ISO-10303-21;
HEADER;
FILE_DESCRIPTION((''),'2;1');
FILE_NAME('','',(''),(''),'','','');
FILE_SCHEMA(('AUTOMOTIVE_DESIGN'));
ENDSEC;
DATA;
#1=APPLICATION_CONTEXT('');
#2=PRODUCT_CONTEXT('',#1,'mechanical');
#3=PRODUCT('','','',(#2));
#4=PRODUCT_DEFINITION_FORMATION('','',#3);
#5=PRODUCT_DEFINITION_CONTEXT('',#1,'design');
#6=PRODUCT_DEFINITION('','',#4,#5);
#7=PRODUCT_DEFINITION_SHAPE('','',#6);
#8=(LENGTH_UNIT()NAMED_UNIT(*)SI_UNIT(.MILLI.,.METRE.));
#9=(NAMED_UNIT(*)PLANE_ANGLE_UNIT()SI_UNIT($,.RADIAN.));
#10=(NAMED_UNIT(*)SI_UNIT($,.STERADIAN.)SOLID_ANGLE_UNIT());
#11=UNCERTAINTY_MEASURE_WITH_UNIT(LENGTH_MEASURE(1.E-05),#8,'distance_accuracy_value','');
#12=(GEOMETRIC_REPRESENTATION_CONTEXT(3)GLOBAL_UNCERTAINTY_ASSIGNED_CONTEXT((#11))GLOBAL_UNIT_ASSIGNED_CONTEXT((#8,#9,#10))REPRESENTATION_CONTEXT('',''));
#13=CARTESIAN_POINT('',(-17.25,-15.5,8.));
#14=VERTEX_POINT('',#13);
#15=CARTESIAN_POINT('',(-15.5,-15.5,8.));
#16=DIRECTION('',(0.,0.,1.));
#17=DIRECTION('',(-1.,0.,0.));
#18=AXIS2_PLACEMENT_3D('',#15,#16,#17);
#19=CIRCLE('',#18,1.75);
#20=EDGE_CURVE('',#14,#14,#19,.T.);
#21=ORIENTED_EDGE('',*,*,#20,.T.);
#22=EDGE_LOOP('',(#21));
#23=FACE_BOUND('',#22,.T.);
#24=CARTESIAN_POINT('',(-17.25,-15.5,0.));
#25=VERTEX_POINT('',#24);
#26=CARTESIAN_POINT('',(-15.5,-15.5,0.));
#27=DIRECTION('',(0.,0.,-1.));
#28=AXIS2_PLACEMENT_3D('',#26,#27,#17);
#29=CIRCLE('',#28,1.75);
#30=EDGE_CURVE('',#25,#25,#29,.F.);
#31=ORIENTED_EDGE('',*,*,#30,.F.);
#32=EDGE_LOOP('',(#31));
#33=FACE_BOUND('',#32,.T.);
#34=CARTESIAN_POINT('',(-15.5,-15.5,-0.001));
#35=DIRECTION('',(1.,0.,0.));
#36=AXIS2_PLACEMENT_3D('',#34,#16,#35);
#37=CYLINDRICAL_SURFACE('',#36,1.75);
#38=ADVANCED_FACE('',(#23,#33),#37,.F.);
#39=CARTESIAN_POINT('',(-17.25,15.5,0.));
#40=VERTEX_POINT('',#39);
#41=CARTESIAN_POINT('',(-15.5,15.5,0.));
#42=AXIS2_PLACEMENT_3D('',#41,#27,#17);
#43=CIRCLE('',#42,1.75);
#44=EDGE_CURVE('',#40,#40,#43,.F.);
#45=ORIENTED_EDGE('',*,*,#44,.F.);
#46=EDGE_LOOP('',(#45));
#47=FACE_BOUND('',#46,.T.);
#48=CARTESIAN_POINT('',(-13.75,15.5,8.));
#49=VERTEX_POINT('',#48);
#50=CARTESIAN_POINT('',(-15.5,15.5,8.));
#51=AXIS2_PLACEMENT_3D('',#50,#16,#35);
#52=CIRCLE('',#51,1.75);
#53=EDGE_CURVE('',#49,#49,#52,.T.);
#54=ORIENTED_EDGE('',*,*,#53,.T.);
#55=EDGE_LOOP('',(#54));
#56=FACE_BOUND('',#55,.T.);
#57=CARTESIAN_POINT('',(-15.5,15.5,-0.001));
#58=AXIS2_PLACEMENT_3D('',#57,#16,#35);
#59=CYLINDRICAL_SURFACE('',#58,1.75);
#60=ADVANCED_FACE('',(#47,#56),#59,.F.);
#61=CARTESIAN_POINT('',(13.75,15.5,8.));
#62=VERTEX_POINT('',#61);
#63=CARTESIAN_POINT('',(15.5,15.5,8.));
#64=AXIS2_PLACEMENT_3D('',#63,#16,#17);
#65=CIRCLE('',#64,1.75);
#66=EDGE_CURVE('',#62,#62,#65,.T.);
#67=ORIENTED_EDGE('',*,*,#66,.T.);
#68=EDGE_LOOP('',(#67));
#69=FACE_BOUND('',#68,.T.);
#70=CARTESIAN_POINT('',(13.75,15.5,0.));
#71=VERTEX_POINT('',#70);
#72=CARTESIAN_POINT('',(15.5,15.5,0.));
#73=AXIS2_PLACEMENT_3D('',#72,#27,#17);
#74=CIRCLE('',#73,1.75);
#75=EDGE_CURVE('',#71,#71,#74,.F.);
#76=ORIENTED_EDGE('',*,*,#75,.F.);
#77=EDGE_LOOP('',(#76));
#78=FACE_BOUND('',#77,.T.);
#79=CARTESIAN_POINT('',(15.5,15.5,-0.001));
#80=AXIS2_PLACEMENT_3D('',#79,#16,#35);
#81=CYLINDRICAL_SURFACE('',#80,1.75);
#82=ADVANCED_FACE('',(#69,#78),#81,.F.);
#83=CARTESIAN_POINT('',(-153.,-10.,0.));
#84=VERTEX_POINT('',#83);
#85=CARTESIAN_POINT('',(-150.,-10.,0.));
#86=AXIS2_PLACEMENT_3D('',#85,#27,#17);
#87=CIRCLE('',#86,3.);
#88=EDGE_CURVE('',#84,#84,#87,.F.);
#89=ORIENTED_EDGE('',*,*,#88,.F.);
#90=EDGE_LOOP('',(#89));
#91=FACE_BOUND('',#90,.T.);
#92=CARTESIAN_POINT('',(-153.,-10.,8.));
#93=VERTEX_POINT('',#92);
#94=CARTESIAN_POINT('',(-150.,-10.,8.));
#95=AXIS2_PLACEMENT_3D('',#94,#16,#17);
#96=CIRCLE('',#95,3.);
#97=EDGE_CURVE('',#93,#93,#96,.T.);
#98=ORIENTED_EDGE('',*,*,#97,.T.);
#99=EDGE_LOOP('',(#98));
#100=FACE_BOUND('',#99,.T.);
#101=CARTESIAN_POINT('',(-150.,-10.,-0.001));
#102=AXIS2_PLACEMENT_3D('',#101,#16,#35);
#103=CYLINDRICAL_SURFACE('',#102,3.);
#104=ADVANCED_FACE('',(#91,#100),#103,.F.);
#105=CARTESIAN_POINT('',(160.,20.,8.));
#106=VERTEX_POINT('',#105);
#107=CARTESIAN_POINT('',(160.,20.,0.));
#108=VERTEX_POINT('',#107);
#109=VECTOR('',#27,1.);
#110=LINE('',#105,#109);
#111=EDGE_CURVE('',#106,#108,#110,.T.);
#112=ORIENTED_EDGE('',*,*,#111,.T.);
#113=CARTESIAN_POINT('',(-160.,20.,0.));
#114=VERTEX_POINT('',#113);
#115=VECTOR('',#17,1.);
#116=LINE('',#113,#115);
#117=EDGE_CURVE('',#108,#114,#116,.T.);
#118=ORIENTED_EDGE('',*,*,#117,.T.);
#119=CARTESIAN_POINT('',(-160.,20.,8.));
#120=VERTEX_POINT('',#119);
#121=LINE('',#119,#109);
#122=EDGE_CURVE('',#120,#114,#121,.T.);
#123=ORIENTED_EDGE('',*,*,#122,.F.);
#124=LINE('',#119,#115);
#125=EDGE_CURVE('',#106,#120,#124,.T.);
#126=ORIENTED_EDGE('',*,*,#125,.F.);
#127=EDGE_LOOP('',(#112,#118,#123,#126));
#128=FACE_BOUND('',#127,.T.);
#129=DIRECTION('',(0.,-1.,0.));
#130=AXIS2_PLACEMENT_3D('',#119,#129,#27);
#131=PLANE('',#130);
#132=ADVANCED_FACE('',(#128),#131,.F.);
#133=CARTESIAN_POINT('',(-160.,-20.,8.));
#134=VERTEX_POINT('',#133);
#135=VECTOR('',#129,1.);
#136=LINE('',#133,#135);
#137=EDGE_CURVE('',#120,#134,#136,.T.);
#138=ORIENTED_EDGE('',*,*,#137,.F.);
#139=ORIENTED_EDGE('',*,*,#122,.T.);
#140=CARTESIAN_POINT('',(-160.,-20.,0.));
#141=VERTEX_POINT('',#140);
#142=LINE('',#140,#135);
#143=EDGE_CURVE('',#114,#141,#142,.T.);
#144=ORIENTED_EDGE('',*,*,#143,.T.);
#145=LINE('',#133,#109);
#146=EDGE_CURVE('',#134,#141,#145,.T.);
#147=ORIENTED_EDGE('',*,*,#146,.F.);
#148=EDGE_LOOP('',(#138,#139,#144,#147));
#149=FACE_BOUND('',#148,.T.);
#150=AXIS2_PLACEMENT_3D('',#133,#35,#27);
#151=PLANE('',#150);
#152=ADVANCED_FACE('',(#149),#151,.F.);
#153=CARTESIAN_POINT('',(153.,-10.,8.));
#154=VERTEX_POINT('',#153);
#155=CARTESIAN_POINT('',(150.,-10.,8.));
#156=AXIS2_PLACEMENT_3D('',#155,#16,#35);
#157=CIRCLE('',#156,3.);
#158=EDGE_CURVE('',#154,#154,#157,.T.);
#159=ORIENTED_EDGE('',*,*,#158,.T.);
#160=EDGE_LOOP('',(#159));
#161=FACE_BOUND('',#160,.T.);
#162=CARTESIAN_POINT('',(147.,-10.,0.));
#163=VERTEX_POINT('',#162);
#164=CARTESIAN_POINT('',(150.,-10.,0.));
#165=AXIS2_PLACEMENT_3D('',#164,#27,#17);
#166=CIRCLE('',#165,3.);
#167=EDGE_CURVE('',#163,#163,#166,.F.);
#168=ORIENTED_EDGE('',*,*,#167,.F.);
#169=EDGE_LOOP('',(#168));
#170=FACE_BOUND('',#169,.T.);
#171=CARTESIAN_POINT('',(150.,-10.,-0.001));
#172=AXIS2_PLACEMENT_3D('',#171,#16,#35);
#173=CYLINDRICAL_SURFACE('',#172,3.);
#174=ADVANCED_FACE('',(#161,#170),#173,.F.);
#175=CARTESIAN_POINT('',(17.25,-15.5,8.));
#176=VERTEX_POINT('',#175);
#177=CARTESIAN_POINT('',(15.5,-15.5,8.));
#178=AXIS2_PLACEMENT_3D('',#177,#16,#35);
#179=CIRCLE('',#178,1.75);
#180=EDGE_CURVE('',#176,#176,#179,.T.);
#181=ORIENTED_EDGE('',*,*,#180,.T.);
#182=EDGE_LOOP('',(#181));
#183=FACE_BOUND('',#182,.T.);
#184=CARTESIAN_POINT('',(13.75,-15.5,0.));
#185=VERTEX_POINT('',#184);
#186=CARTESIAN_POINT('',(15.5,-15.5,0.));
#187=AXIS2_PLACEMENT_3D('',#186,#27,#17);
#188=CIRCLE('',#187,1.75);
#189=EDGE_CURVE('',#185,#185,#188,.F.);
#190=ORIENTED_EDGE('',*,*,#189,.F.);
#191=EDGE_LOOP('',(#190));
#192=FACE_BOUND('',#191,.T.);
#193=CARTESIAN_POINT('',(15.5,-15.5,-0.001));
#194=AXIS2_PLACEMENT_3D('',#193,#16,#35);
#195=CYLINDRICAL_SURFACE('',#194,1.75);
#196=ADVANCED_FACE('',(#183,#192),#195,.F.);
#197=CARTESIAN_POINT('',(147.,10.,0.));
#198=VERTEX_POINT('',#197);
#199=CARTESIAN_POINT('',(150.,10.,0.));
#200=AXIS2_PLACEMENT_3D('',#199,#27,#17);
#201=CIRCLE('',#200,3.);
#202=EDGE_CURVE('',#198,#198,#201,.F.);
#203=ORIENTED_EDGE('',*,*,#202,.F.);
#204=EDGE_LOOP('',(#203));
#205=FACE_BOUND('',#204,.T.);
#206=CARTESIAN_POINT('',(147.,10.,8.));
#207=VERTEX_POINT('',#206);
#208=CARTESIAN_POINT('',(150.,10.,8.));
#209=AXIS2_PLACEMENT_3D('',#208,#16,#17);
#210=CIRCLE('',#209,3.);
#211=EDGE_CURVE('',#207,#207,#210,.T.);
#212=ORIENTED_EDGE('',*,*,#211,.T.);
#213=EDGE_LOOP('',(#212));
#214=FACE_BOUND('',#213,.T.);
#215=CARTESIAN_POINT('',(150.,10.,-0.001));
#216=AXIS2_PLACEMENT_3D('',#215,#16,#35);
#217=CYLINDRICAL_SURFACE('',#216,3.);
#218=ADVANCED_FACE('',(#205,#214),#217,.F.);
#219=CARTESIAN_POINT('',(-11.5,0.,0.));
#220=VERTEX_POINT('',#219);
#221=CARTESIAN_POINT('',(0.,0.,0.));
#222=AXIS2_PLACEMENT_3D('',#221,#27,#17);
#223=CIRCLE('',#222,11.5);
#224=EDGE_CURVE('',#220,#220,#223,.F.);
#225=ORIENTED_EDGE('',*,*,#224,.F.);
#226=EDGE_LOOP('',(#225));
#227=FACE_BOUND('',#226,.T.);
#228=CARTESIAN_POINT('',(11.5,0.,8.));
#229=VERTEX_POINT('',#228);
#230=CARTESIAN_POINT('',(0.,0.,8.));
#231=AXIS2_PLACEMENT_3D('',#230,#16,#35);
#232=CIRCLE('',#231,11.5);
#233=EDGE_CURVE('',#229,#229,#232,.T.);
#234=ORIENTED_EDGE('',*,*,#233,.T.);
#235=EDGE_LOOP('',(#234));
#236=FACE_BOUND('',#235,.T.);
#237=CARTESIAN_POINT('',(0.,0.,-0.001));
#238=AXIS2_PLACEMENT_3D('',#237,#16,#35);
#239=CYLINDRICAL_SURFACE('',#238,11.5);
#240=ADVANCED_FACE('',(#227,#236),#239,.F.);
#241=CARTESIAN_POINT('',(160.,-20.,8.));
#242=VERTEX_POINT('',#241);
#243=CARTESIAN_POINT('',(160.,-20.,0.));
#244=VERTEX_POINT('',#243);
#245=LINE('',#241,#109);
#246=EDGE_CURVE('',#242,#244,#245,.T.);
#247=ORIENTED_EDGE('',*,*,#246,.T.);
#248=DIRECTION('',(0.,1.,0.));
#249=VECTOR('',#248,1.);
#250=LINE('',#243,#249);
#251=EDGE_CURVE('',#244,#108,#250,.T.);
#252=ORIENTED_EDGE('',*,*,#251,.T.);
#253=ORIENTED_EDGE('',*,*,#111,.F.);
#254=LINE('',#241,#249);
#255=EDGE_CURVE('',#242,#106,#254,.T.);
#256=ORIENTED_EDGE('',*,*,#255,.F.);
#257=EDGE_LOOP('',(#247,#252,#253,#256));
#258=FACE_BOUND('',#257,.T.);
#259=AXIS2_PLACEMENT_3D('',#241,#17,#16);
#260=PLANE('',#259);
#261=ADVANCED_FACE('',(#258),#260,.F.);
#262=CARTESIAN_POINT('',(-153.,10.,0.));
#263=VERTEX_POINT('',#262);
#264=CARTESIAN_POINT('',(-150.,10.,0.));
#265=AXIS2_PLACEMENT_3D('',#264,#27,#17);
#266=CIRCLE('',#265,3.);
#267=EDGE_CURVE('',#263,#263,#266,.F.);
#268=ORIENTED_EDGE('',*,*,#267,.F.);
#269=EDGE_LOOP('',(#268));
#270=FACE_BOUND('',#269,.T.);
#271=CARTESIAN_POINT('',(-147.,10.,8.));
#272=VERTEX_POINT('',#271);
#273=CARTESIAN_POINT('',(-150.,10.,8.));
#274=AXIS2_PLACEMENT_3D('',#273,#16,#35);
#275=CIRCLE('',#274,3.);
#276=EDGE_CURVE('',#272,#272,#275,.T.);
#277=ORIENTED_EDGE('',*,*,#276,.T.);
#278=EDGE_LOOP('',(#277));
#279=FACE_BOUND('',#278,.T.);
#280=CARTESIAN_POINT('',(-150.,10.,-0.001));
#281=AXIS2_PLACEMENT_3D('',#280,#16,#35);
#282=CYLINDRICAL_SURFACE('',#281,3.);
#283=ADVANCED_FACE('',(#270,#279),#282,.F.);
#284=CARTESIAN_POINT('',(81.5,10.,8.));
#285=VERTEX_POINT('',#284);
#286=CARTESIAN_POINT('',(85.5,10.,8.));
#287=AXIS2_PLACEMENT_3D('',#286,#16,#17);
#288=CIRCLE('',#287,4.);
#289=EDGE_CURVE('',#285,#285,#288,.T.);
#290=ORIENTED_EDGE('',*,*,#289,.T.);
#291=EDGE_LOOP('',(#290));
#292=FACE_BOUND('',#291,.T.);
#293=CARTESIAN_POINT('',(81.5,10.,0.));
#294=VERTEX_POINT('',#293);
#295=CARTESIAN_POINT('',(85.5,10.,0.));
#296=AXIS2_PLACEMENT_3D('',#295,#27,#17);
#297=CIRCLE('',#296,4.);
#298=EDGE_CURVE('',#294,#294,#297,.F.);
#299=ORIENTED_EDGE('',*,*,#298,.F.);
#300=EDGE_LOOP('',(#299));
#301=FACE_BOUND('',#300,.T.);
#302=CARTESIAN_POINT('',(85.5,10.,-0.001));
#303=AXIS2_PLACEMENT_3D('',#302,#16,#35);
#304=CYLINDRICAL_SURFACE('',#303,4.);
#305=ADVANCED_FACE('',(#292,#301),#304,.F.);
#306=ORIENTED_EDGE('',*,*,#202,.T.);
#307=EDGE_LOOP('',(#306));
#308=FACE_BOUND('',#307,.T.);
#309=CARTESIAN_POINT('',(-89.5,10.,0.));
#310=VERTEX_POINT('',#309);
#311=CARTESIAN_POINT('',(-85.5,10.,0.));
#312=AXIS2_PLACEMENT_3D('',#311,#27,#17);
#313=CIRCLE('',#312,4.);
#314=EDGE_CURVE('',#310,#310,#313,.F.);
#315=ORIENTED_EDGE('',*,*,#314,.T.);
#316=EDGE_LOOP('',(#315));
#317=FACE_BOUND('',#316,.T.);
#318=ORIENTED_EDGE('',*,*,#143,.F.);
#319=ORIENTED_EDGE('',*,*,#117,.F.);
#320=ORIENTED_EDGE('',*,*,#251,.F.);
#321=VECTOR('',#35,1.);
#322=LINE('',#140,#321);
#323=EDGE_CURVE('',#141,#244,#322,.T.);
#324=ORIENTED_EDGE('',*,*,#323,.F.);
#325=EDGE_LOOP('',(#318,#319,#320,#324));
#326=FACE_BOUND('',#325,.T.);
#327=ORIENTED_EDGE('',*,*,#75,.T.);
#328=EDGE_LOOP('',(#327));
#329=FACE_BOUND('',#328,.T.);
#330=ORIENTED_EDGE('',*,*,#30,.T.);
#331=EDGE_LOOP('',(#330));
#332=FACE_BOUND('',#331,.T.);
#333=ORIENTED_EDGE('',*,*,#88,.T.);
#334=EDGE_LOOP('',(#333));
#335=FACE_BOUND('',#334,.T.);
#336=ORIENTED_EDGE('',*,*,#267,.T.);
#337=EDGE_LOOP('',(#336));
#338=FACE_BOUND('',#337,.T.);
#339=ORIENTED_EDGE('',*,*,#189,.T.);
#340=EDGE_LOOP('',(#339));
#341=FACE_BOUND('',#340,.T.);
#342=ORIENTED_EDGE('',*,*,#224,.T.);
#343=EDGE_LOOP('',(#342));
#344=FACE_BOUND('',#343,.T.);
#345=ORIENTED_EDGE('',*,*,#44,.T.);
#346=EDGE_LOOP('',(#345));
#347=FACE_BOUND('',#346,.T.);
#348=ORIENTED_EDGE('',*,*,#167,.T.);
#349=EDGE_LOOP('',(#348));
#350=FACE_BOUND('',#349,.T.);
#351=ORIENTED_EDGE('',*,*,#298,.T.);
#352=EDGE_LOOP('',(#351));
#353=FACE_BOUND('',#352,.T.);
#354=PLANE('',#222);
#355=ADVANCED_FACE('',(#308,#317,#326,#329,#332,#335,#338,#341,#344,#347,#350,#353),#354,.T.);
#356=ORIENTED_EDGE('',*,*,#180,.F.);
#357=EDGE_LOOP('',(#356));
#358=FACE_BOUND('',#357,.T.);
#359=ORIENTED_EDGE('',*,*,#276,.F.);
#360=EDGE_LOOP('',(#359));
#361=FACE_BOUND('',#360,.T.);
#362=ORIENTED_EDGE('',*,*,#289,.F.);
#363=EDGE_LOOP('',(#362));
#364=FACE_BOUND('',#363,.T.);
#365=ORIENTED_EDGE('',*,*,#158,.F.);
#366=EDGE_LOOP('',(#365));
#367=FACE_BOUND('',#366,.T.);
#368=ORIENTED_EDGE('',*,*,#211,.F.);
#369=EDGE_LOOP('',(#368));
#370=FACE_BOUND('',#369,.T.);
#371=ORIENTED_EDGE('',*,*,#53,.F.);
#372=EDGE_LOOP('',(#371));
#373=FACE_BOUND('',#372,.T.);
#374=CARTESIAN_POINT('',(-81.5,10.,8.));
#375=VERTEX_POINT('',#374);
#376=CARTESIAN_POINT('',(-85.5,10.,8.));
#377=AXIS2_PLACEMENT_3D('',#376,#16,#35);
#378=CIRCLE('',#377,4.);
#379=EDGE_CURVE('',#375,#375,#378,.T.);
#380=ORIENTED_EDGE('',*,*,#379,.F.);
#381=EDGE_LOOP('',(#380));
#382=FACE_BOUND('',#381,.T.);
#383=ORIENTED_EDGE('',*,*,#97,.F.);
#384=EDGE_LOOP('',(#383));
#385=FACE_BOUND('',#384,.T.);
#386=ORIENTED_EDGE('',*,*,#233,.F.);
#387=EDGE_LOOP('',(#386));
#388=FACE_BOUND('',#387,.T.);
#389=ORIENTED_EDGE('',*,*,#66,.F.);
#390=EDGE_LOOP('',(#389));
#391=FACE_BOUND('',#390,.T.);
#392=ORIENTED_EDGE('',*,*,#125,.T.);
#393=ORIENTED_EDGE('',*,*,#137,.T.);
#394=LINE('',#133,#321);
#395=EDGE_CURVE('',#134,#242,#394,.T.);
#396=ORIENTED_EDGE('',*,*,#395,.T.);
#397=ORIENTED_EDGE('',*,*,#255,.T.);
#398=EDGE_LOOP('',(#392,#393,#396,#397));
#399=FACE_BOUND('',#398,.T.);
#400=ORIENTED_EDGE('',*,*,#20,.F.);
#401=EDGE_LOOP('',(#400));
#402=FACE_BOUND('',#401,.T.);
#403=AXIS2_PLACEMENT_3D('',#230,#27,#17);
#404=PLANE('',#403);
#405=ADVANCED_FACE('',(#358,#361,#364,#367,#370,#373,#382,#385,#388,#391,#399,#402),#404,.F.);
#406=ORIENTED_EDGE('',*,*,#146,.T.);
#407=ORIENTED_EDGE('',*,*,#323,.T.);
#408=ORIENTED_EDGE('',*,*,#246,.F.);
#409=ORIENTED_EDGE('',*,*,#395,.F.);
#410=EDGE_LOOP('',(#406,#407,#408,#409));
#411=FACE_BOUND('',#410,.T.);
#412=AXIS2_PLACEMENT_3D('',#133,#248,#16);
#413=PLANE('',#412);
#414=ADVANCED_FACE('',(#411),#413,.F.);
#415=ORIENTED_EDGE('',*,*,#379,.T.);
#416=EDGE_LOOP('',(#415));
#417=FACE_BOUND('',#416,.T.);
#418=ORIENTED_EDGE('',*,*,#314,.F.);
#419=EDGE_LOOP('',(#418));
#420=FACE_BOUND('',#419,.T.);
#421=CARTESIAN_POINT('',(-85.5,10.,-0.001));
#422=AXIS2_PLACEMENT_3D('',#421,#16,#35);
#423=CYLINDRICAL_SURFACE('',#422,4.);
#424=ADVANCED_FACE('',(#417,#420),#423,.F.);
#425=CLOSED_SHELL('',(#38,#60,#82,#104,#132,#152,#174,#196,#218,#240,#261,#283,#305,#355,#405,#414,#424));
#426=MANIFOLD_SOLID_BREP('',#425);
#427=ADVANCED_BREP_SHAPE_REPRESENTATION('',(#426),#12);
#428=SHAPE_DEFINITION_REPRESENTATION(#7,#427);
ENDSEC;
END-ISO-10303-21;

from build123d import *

# Parameters (mm, degrees)
SKETCH1_W           = 320
SKETCH1_H           = 40
BOSS_EXTRUDE1_DEPTH = 8
CUT_EXTRUDE1_REACH  = 10
SKETCH2_R           = 3
CUT_EXTRUDE2_REACH  = 10
SKETCH3_R           = 4
SKETCH3_R_2         = 11.5
CUT_EXTRUDE3_REACH  = 10
SKETCH4_R           = 1.75


with BuildPart() as part:
    # Sketch1 → Boss-Extrude1 (new body)
    with BuildSketch(Plane.XY):
        Rectangle(SKETCH1_W, SKETCH1_H)
    extrude(amount=BOSS_EXTRUDE1_DEPTH)

    # Sketch2 → Cut-Extrude1 (cut, up to next)
    with BuildSketch(Plane.XY.offset(8), mode=Mode.PRIVATE) as cut_extrude1_sk1:
        with Locations((-150, 10)):
            Circle(SKETCH2_R)
    cut_extrude1_tool1 = extrude(cut_extrude1_sk1.sketch, amount=-CUT_EXTRUDE1_REACH, mode=Mode.PRIVATE) & part.part
    add(cut_extrude1_tool1.solids().sort_by_distance((-150, 10, 8))[0], mode=Mode.SUBTRACT)
    # Sketch2 → Cut-Extrude1 (cut, up to next)
    with BuildSketch(Plane.XY.offset(8), mode=Mode.PRIVATE) as cut_extrude1_sk2:
        with Locations((-150, -10)):
            Circle(SKETCH2_R)
    cut_extrude1_tool2 = extrude(cut_extrude1_sk2.sketch, amount=-CUT_EXTRUDE1_REACH, mode=Mode.PRIVATE) & part.part
    add(cut_extrude1_tool2.solids().sort_by_distance((-150, -10, 8))[0], mode=Mode.SUBTRACT)
    # Sketch2 → Cut-Extrude1 (cut, up to next)
    with BuildSketch(Plane.XY.offset(8), mode=Mode.PRIVATE) as cut_extrude1_sk3:
        with Locations((150, -10)):
            Circle(SKETCH2_R)
    cut_extrude1_tool3 = extrude(cut_extrude1_sk3.sketch, amount=-CUT_EXTRUDE1_REACH, mode=Mode.PRIVATE) & part.part
    add(cut_extrude1_tool3.solids().sort_by_distance((150, -10, 8))[0], mode=Mode.SUBTRACT)
    # Sketch2 → Cut-Extrude1 (cut, up to next)
    with BuildSketch(Plane.XY.offset(8), mode=Mode.PRIVATE) as cut_extrude1_sk4:
        with Locations((150, 10)):
            Circle(SKETCH2_R)
    cut_extrude1_tool4 = extrude(cut_extrude1_sk4.sketch, amount=-CUT_EXTRUDE1_REACH, mode=Mode.PRIVATE) & part.part
    add(cut_extrude1_tool4.solids().sort_by_distance((150, 10, 8))[0], mode=Mode.SUBTRACT)

    # Sketch3 → Cut-Extrude2 (cut, up to next)
    with BuildSketch(Plane.XY.offset(8), mode=Mode.PRIVATE) as cut_extrude2_sk1:
        with Locations((-85.5, 10)):
            Circle(SKETCH3_R)
    cut_extrude2_tool1 = extrude(cut_extrude2_sk1.sketch, amount=-CUT_EXTRUDE2_REACH, mode=Mode.PRIVATE) & part.part
    add(cut_extrude2_tool1.solids().sort_by_distance((-85.5, 10, 8))[0], mode=Mode.SUBTRACT)
    # Sketch3 → Cut-Extrude2 (cut, up to next)
    with BuildSketch(Plane.XY.offset(8), mode=Mode.PRIVATE) as cut_extrude2_sk2:
        with Locations((85.5, 10)):
            Circle(SKETCH3_R)
    cut_extrude2_tool2 = extrude(cut_extrude2_sk2.sketch, amount=-CUT_EXTRUDE2_REACH, mode=Mode.PRIVATE) & part.part
    add(cut_extrude2_tool2.solids().sort_by_distance((85.5, 10, 8))[0], mode=Mode.SUBTRACT)
    # Sketch3 → Cut-Extrude2 (cut, up to next)
    with BuildSketch(Plane.XY.offset(8), mode=Mode.PRIVATE) as cut_extrude2_sk3:
        Circle(SKETCH3_R_2)
    cut_extrude2_tool3 = extrude(cut_extrude2_sk3.sketch, amount=-CUT_EXTRUDE2_REACH, mode=Mode.PRIVATE) & part.part
    add(cut_extrude2_tool3.solids().sort_by_distance((0, 0, 8))[0], mode=Mode.SUBTRACT)

    # Sketch4 → Cut-Extrude3 (cut, up to next)
    with BuildSketch(Plane.XY.offset(8), mode=Mode.PRIVATE) as cut_extrude3_sk1:
        with Locations((-15.5, 15.5)):
            Circle(SKETCH4_R)
    cut_extrude3_tool1 = extrude(cut_extrude3_sk1.sketch, amount=-CUT_EXTRUDE3_REACH, mode=Mode.PRIVATE) & part.part
    add(cut_extrude3_tool1.solids().sort_by_distance((-15.5, 15.5, 8))[0], mode=Mode.SUBTRACT)
    # Sketch4 → Cut-Extrude3 (cut, up to next)
    with BuildSketch(Plane.XY.offset(8), mode=Mode.PRIVATE) as cut_extrude3_sk2:
        with Locations((15.5, 15.5)):
            Circle(SKETCH4_R)
    cut_extrude3_tool2 = extrude(cut_extrude3_sk2.sketch, amount=-CUT_EXTRUDE3_REACH, mode=Mode.PRIVATE) & part.part
    add(cut_extrude3_tool2.solids().sort_by_distance((15.5, 15.5, 8))[0], mode=Mode.SUBTRACT)
    # Sketch4 → Cut-Extrude3 (cut, up to next)
    with BuildSketch(Plane.XY.offset(8), mode=Mode.PRIVATE) as cut_extrude3_sk3:
        with Locations((-15.5, -15.5)):
            Circle(SKETCH4_R)
    cut_extrude3_tool3 = extrude(cut_extrude3_sk3.sketch, amount=-CUT_EXTRUDE3_REACH, mode=Mode.PRIVATE) & part.part
    add(cut_extrude3_tool3.solids().sort_by_distance((-15.5, -15.5, 8))[0], mode=Mode.SUBTRACT)
    # Sketch4 → Cut-Extrude3 (cut, up to next)
    with BuildSketch(Plane.XY.offset(8), mode=Mode.PRIVATE) as cut_extrude3_sk4:
        with Locations((15.5, -15.5)):
            Circle(SKETCH4_R)
    cut_extrude3_tool4 = extrude(cut_extrude3_sk4.sketch, amount=-CUT_EXTRUDE3_REACH, mode=Mode.PRIVATE) & part.part
    add(cut_extrude3_tool4.solids().sort_by_distance((15.5, -15.5, 8))[0], mode=Mode.SUBTRACT)


solid = part.part
